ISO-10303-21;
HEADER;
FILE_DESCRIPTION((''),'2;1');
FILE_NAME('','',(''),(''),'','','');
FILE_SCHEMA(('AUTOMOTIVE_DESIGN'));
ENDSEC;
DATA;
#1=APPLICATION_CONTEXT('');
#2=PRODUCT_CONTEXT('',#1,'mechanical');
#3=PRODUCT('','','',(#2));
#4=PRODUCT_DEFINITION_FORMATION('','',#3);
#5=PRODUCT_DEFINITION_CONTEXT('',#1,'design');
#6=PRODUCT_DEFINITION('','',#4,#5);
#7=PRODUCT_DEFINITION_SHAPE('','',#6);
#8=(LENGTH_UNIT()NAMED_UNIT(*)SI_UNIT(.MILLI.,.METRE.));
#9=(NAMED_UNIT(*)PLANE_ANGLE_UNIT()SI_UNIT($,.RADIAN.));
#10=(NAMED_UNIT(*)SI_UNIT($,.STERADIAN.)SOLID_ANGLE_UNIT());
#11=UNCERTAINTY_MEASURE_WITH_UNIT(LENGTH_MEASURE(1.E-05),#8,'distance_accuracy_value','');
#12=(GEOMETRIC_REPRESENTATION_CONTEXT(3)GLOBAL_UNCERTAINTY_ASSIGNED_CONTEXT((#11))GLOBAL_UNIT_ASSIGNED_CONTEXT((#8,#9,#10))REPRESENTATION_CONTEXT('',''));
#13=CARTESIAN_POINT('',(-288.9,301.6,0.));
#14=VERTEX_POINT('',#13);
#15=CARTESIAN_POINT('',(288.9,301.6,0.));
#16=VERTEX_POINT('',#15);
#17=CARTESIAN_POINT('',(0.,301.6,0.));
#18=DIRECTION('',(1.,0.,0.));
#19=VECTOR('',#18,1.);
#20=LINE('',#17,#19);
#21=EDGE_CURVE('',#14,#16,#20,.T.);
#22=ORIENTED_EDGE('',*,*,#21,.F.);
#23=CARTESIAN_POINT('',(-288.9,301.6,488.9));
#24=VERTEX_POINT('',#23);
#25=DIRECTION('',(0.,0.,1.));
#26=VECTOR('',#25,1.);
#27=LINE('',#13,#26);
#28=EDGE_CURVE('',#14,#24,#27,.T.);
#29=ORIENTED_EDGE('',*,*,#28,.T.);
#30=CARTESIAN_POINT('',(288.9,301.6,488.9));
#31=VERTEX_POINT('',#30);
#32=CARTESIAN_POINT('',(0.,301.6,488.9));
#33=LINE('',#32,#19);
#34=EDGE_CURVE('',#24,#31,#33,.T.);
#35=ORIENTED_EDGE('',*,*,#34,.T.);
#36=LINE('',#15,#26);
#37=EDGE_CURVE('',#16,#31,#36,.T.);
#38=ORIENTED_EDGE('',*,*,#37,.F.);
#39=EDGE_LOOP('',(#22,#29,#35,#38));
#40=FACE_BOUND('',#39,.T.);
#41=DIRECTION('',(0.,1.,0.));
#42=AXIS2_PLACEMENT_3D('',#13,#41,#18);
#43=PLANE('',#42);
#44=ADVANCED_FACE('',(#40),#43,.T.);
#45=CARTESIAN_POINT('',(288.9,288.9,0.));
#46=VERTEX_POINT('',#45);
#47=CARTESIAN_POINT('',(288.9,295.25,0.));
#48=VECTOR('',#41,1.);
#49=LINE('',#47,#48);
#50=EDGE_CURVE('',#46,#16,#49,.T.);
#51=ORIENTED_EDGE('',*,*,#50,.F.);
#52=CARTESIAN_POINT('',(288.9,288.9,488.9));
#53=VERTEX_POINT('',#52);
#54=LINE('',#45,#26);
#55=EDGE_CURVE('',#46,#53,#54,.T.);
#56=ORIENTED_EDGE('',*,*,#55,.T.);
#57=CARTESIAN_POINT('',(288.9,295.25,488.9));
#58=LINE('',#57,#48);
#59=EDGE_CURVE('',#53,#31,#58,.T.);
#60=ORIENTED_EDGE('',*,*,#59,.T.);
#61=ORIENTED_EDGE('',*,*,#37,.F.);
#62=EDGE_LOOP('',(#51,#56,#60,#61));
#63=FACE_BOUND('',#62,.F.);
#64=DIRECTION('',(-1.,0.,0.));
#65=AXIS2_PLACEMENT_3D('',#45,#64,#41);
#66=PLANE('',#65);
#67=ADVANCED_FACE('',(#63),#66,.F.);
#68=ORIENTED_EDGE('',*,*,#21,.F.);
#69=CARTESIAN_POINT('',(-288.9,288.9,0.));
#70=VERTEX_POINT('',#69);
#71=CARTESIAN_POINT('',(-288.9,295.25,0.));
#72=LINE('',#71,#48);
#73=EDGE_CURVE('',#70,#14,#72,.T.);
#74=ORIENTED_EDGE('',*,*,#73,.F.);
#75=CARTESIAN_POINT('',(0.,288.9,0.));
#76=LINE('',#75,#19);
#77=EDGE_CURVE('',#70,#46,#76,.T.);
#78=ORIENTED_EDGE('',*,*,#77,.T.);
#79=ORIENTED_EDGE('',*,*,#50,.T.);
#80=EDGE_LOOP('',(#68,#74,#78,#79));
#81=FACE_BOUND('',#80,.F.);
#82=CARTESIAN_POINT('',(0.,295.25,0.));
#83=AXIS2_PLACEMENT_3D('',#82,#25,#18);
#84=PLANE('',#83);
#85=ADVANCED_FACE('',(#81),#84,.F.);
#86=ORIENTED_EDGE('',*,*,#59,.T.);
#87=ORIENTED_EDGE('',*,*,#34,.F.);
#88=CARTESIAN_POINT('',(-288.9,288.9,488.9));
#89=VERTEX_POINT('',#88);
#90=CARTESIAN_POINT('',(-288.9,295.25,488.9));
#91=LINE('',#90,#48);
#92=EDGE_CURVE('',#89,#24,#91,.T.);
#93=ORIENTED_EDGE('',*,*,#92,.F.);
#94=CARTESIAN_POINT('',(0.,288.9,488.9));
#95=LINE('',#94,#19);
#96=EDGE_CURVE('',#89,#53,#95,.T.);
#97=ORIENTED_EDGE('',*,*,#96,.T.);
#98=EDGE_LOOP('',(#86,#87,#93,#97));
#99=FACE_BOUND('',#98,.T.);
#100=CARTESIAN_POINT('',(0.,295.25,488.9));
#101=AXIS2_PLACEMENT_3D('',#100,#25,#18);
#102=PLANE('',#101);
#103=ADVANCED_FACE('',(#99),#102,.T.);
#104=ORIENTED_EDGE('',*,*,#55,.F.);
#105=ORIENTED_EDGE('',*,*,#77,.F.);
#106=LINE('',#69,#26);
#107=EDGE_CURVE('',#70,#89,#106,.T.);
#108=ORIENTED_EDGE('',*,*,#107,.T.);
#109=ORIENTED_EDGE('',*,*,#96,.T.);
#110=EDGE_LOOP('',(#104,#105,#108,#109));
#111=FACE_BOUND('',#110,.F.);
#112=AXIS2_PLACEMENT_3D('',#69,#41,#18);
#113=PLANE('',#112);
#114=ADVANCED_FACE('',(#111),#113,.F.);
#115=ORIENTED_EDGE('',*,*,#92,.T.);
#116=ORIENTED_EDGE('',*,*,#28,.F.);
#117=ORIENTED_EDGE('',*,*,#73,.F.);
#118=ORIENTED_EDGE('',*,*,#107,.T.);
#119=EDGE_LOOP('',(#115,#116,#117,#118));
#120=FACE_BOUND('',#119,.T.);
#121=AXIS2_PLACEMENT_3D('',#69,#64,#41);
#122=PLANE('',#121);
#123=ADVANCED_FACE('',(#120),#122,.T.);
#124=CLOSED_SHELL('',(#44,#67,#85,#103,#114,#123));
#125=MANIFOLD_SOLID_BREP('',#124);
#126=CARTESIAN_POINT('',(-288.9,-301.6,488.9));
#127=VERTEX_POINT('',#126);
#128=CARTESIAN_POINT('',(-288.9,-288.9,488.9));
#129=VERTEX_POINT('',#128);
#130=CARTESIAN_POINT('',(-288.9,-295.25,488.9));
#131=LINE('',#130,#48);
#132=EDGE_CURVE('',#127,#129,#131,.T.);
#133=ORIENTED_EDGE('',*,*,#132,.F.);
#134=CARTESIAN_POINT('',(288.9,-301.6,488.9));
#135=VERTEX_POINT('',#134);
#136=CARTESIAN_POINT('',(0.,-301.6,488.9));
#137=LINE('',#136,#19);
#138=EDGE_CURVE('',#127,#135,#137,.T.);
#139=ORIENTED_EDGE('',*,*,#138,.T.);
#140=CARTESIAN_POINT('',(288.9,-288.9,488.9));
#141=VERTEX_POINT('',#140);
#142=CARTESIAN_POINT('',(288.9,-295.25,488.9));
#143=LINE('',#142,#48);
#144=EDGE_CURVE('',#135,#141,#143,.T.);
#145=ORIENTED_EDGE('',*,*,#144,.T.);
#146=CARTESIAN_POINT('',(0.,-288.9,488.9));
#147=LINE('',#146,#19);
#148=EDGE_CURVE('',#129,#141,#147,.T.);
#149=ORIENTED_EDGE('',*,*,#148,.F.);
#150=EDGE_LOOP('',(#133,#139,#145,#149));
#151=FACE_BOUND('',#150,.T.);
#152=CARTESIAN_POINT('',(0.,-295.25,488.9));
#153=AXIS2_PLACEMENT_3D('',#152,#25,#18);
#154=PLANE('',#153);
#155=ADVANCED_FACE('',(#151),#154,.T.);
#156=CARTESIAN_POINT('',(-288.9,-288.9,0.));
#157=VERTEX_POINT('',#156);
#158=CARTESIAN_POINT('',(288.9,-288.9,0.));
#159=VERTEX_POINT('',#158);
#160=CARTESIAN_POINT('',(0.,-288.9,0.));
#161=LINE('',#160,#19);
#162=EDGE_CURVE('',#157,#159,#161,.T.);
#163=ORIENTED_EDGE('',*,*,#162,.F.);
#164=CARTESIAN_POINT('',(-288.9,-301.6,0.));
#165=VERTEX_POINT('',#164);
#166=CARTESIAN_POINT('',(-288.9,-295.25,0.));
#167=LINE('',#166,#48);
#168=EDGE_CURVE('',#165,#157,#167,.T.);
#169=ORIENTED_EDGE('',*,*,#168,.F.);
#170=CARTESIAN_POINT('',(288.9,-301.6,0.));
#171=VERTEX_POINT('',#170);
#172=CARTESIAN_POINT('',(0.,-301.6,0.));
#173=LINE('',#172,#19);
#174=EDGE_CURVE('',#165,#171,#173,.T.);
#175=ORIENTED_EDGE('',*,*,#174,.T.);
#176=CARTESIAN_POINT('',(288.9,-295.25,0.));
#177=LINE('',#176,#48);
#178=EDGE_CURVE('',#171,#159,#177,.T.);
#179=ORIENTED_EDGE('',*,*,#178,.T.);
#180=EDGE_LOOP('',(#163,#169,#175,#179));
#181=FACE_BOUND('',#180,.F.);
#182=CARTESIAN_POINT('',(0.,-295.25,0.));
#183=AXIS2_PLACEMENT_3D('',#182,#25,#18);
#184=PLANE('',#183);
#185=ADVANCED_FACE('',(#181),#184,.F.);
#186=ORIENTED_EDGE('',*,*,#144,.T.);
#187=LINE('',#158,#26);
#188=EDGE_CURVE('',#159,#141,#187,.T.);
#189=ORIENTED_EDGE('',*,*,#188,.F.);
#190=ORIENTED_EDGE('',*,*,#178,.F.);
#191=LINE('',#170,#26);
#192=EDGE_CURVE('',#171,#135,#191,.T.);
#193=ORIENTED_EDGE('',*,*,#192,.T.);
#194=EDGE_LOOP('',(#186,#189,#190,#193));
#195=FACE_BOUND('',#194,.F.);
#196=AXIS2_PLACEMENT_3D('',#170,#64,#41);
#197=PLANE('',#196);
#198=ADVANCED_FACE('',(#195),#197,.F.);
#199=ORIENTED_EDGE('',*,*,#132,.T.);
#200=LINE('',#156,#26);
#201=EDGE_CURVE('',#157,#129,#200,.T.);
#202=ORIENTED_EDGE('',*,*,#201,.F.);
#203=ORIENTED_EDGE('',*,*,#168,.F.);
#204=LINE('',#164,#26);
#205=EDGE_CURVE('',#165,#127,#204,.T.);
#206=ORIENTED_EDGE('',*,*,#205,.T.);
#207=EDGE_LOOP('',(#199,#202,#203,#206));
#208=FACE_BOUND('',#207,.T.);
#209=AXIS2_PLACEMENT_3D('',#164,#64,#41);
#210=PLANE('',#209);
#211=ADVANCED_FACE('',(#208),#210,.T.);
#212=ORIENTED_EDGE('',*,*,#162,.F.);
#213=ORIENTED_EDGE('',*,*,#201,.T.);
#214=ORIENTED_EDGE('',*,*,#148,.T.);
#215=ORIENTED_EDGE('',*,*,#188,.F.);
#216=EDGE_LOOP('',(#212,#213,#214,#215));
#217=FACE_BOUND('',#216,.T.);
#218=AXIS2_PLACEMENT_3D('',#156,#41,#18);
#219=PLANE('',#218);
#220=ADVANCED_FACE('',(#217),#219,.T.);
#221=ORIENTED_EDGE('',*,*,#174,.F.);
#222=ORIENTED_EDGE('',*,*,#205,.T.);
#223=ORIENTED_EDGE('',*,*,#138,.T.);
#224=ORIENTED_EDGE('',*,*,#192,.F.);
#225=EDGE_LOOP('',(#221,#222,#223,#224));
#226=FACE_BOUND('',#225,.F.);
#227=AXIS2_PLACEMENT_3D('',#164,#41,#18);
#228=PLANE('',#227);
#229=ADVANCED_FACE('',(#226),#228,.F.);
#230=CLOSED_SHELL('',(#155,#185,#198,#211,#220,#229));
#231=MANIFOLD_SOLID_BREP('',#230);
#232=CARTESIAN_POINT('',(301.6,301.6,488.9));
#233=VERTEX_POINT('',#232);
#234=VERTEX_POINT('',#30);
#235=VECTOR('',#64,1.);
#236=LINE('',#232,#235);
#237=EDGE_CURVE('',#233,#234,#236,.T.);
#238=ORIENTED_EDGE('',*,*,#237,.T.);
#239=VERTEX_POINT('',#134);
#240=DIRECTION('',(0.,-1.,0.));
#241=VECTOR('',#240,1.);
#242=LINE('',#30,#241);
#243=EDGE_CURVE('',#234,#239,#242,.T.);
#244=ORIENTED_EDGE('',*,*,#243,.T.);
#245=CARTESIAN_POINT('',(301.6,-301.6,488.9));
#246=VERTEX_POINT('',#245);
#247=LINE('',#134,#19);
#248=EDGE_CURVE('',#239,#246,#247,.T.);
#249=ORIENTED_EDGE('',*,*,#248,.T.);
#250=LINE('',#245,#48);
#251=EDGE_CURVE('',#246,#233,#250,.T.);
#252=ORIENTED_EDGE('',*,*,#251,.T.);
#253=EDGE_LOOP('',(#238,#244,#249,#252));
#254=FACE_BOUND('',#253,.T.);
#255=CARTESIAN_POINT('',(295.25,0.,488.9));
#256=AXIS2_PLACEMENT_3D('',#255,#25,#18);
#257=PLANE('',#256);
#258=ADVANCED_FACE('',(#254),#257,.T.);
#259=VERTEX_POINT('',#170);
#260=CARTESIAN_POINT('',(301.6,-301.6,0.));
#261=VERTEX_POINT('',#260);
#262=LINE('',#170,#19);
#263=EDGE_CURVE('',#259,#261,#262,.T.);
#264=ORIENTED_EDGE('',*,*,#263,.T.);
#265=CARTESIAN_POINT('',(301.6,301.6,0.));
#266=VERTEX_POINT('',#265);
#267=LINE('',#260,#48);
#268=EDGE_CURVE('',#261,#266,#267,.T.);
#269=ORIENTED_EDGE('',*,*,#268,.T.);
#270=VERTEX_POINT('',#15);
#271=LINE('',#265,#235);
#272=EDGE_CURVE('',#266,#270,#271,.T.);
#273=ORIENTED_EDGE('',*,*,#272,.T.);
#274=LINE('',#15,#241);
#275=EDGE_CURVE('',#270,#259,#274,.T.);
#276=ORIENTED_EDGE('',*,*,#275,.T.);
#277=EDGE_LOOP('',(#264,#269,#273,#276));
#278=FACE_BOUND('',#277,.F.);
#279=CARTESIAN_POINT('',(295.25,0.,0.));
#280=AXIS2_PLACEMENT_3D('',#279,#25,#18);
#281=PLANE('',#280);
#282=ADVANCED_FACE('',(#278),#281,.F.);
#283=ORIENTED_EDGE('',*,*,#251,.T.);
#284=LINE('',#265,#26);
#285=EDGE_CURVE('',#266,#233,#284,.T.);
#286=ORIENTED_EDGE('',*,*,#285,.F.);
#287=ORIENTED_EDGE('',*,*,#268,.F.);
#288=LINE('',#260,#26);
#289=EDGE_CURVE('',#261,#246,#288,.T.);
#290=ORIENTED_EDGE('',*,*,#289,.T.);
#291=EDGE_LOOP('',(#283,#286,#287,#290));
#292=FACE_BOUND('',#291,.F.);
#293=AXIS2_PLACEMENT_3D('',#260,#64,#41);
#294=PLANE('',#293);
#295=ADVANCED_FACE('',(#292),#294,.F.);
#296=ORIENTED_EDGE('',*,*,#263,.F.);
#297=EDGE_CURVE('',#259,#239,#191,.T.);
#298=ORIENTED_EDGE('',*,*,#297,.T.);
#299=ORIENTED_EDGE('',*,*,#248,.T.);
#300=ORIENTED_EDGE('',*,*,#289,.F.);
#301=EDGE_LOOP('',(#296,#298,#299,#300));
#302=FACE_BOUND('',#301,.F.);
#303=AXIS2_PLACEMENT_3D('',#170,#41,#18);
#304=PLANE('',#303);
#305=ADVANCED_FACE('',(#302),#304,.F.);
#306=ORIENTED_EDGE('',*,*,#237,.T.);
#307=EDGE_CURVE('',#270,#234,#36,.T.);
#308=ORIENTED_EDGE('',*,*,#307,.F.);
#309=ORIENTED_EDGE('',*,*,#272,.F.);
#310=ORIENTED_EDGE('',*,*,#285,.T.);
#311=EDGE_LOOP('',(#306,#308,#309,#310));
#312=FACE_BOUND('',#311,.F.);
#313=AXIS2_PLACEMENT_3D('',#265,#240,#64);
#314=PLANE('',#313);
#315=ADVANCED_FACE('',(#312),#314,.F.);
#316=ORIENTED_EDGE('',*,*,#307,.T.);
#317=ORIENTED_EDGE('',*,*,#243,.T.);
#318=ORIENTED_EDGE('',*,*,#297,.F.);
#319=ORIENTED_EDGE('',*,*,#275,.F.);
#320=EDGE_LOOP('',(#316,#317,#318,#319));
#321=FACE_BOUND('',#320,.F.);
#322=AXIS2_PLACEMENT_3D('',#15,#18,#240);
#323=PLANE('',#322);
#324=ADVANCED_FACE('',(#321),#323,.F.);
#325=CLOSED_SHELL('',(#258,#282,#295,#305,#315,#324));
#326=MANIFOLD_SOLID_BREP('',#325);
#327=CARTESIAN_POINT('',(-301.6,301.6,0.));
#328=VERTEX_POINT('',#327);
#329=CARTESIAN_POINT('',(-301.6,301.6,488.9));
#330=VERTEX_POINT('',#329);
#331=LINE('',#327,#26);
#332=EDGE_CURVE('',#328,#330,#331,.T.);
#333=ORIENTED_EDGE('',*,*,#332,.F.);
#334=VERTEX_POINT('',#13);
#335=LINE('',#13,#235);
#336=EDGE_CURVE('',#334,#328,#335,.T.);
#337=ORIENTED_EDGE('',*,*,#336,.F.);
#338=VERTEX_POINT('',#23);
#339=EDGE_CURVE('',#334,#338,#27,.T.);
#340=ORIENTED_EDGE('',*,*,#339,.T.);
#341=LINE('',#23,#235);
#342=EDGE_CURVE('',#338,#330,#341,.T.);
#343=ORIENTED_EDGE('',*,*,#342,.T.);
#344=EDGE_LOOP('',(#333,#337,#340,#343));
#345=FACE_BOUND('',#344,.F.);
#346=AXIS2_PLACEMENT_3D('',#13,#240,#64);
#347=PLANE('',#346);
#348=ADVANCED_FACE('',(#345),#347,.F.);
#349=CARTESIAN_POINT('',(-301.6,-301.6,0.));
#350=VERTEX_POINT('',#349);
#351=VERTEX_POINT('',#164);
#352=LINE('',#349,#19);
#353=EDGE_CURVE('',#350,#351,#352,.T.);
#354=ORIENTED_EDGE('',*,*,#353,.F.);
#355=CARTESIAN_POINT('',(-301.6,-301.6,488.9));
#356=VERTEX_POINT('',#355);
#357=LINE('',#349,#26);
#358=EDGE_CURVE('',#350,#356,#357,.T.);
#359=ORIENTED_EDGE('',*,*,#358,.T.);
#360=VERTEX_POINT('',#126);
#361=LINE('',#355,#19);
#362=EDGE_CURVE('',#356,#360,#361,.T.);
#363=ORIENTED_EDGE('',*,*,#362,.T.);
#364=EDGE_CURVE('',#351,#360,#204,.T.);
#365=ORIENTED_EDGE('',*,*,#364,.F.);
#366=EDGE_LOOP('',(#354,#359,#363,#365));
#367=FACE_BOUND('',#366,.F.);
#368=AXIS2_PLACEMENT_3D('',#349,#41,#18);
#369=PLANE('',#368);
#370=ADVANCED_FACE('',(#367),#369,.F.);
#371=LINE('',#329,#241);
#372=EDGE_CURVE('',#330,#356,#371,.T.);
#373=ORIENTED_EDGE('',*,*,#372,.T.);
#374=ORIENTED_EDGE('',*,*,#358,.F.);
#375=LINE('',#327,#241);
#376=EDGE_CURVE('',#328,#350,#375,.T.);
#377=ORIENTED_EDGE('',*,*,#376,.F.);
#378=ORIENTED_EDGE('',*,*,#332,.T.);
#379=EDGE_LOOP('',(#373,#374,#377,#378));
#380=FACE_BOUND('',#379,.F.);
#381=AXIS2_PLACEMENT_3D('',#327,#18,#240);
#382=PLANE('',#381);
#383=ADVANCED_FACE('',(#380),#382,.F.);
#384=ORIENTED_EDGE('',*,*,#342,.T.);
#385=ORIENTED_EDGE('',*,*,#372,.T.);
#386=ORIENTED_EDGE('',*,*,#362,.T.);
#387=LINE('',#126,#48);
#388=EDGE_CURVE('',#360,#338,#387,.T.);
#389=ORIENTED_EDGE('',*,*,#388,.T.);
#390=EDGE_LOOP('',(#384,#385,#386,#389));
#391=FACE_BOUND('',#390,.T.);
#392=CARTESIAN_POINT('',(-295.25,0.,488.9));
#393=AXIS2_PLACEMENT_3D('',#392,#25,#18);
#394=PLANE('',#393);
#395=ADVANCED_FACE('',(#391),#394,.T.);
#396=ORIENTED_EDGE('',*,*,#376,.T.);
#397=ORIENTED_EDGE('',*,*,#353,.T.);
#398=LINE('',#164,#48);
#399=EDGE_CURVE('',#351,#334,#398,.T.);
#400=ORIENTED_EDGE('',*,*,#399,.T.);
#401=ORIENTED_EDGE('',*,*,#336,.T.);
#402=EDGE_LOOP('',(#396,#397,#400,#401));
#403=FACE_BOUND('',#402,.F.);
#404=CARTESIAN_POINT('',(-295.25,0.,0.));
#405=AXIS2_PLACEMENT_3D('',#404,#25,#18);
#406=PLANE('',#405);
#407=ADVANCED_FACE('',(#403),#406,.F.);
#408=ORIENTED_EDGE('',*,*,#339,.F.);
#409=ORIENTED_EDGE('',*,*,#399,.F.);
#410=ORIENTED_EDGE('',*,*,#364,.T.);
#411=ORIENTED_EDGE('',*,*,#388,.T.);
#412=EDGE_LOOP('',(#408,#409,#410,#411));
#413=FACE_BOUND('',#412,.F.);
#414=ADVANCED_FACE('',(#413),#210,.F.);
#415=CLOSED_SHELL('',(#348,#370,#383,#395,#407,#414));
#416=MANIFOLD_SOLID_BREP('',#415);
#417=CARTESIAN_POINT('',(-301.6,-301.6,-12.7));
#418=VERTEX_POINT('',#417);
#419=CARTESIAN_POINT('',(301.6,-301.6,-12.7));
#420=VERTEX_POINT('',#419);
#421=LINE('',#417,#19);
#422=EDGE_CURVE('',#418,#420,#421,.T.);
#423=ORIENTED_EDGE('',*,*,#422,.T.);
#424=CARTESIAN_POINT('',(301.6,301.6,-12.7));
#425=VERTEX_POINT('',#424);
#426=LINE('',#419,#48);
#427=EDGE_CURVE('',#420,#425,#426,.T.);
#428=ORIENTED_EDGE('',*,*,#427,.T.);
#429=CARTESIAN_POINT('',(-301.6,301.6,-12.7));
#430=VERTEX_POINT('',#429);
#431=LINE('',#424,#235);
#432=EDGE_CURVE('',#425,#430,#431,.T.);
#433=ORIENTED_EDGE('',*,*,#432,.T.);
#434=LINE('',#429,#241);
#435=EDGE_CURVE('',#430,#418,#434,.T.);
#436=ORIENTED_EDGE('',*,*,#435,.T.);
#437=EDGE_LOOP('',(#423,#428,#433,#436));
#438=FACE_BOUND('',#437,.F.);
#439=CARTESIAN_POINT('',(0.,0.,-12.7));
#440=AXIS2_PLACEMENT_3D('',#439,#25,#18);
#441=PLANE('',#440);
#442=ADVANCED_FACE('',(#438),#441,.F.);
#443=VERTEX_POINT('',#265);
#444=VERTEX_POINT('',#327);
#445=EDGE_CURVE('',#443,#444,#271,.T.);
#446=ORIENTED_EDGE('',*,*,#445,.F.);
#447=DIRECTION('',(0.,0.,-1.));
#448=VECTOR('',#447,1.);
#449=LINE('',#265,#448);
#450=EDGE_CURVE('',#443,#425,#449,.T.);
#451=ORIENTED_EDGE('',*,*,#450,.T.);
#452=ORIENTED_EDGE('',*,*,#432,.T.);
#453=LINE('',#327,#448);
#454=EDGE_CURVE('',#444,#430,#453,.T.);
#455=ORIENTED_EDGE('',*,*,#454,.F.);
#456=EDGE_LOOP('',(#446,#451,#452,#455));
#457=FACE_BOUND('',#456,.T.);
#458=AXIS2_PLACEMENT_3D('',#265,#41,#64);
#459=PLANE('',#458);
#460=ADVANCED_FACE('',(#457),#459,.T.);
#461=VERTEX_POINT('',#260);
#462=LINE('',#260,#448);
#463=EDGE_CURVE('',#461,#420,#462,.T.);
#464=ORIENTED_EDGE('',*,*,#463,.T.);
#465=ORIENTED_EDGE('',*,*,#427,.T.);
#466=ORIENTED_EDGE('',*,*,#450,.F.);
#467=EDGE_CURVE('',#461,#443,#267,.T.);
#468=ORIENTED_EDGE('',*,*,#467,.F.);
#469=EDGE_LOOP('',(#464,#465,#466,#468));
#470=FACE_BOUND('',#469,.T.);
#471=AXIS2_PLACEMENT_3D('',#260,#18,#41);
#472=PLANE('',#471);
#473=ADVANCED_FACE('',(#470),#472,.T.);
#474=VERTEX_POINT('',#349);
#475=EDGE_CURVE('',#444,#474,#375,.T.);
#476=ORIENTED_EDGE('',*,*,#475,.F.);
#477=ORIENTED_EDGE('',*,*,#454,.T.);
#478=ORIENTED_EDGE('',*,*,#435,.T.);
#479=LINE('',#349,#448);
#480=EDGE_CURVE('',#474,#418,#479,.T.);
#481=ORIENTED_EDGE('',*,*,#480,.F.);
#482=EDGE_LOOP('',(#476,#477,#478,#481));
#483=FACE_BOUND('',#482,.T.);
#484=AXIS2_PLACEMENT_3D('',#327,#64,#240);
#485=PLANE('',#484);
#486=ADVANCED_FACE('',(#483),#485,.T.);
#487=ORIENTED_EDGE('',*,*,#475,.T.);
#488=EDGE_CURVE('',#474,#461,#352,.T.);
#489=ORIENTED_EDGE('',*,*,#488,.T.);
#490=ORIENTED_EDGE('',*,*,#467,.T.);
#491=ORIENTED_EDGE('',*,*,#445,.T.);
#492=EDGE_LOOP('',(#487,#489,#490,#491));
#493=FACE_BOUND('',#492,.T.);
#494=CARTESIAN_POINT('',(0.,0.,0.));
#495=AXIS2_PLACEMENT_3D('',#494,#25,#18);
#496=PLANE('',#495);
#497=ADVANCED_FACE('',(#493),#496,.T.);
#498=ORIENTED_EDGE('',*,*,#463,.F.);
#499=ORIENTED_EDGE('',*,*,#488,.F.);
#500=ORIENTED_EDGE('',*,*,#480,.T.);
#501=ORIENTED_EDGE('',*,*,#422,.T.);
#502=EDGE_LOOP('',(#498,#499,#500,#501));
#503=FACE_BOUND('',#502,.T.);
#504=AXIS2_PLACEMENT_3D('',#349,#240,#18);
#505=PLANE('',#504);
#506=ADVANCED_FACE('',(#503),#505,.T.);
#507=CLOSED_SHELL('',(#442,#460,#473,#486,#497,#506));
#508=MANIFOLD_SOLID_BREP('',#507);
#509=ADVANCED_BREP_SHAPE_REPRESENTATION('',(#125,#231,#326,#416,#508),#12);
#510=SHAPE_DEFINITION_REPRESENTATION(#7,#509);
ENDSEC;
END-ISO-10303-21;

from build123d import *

# Parameters (mm, degrees)
F0_W     = 577.8
F0_H     = 577.8
F0_H_2   = 12.7
F1_DEPTH = 12.7
F2_DEPTH = 488.9
F3_DEPTH = 488.9
F4_DEPTH = 488.9
F5_DEPTH = 488.9


with BuildPart() as f1:
    # F0 (on Top) → F1 (new body)
    with BuildSketch(Plane.XY):
        Rectangle(F0_W, F0_H)
        Polygon((-288.9, -288.9), (-288.9, 288.9), (-288.9, 301.6), (-301.6, 301.6), (-301.6, -301.6), (-288.9, -301.6), align=None)
        with Locations((0, 295.25)):
            Rectangle(F0_W, F0_H_2)
        Polygon((288.9, 301.6), (288.9, 288.9), (288.9, -288.9), (288.9, -301.6), (301.6, -301.6), (301.6, 301.6), align=None)
        with Locations((0, -295.25)):
            Rectangle(F0_W, F0_H_2)
    extrude(amount=-F1_DEPTH)


with BuildPart() as f2:
    # F0 (on Top) → F2 (new body)
    with BuildSketch(Plane.XY):
        with Locations((0, 295.25)):
            Rectangle(F0_W, F0_H_2)
    extrude(amount=F2_DEPTH)


with BuildPart() as f3:
    # F0 (on Top) → F3 (new body)
    with BuildSketch(Plane.XY):
        Polygon((-288.9, -288.9), (-288.9, 288.9), (-288.9, 301.6), (-301.6, 301.6), (-301.6, -301.6), (-288.9, -301.6), align=None)
    extrude(amount=F3_DEPTH)


with BuildPart() as f4:
    # F0 (on Top) → F4 (new body)
    with BuildSketch(Plane.XY):
        Polygon((288.9, 301.6), (288.9, 288.9), (288.9, -288.9), (288.9, -301.6), (301.6, -301.6), (301.6, 301.6), align=None)
    extrude(amount=F4_DEPTH)


with BuildPart() as f5:
    # F0 (on Top) → F5 (new body)
    with BuildSketch(Plane.XY):
        with Locations((0, -295.25)):
            Rectangle(F0_W, F0_H_2)
    extrude(amount=F5_DEPTH)


solid = Compound([f1.part, f2.part, f3.part, f4.part, f5.part])
